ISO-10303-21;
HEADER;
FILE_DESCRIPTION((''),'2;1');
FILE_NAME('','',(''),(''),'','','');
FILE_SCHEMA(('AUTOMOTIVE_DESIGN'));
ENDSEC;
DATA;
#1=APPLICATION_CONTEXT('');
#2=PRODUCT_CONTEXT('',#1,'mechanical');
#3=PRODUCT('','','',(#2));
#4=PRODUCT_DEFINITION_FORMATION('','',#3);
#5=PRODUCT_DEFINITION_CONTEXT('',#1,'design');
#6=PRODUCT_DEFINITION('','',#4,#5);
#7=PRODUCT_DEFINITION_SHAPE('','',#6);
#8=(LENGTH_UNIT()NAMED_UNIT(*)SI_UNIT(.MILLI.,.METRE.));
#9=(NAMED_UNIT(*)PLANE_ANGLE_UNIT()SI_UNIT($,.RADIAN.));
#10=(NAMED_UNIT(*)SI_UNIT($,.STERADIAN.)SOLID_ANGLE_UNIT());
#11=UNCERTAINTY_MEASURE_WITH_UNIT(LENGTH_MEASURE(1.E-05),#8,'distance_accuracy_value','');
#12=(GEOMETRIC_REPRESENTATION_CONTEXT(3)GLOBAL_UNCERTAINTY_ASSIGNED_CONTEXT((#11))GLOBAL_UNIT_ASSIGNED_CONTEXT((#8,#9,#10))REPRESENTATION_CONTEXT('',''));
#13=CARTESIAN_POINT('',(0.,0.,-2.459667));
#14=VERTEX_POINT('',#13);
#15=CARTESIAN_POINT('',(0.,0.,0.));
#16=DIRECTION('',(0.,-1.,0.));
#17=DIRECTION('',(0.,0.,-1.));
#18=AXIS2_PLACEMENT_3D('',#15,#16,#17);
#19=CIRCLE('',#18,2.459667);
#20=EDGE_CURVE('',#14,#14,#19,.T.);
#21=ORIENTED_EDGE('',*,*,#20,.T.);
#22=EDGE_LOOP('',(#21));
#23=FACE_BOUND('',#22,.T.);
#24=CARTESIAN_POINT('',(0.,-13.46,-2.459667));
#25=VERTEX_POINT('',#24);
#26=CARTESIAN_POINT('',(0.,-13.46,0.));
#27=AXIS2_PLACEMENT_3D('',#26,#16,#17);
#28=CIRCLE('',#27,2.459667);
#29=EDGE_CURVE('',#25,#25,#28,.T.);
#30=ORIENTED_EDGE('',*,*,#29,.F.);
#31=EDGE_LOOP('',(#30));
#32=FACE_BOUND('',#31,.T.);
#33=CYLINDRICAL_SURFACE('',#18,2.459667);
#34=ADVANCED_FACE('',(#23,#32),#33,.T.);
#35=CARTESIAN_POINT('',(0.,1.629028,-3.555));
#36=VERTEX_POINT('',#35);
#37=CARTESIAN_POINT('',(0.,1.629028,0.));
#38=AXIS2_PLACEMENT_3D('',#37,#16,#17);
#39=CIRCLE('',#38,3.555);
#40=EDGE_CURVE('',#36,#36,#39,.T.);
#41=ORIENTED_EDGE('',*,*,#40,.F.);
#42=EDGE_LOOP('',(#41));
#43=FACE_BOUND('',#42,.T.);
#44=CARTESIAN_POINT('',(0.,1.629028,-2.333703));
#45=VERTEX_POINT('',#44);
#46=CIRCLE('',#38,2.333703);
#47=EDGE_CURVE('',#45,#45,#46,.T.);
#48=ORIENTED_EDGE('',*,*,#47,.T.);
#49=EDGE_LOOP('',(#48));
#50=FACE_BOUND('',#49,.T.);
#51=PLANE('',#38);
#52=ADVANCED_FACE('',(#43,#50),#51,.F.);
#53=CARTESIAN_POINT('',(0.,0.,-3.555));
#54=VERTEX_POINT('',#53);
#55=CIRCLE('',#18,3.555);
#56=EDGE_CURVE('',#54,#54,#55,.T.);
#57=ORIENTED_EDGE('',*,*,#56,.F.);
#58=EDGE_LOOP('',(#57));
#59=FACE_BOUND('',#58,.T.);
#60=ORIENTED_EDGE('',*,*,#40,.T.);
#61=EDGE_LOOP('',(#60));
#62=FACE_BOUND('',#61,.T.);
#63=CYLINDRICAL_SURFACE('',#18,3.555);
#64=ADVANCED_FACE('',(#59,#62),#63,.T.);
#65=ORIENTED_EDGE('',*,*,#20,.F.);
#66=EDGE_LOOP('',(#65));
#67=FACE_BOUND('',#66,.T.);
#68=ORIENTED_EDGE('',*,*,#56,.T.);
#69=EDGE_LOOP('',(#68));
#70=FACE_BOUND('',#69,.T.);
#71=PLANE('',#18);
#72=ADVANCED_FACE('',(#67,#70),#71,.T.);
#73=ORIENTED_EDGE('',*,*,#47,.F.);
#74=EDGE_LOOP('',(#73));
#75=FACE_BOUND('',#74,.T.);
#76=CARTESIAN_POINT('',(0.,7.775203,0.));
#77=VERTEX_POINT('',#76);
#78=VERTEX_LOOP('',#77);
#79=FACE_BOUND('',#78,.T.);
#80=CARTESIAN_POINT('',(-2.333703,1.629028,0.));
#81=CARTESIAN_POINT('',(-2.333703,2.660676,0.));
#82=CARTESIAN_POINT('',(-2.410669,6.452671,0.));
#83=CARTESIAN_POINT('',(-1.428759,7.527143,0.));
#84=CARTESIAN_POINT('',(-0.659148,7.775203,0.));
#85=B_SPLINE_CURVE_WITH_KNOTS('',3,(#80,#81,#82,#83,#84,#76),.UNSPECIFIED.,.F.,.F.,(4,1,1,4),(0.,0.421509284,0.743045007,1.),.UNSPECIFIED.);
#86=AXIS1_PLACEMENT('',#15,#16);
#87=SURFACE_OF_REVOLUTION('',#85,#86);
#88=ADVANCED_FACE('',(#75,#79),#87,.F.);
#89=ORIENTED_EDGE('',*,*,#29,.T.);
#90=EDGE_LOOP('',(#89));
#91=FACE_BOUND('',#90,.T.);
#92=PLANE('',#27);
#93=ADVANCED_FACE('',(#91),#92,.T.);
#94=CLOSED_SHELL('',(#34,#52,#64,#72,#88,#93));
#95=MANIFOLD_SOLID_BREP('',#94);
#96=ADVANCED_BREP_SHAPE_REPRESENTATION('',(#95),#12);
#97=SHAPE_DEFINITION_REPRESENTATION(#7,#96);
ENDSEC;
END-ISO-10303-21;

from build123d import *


with BuildPart() as part:
    # Sketch1 → Revolve2 (revolve)
    with BuildSketch(Plane.XY):
        Polygon((0, -13.46), (0, 1.629027856), (-3.555, 1.629027856), (-3.555, 0), (-2.459666551, 0), (-2.459666551, -13.46), align=None)
    revolve(axis=Axis((0, 0, 0), (0, 1, 0)))

    # Sketch1_4 → Revolve3 (revolve)
    with BuildSketch(Plane.XY):
        with BuildLine():
            Line((-2.333703088, 1.629027856), (0, 1.629027856))
            Line((0, 1.629027856), (0, 7.775203178))
            add(Edge.make_bspline(
                [(-2.333703088, 1.629027856), (-2.333703088, 2.660675753), (-2.410669001, 6.452671382), (-1.428759418, 7.527143246), (-0.659148129, 7.775203178), (0, 7.775203178)],
                knots=[0, 0, 0, 0, 0.421509284, 0.743045007, 1, 1, 1, 1], degree=3))
        make_face()
    revolve(axis=Axis((0, 0, 0), (0, 1, 0)))


solid = part.part
